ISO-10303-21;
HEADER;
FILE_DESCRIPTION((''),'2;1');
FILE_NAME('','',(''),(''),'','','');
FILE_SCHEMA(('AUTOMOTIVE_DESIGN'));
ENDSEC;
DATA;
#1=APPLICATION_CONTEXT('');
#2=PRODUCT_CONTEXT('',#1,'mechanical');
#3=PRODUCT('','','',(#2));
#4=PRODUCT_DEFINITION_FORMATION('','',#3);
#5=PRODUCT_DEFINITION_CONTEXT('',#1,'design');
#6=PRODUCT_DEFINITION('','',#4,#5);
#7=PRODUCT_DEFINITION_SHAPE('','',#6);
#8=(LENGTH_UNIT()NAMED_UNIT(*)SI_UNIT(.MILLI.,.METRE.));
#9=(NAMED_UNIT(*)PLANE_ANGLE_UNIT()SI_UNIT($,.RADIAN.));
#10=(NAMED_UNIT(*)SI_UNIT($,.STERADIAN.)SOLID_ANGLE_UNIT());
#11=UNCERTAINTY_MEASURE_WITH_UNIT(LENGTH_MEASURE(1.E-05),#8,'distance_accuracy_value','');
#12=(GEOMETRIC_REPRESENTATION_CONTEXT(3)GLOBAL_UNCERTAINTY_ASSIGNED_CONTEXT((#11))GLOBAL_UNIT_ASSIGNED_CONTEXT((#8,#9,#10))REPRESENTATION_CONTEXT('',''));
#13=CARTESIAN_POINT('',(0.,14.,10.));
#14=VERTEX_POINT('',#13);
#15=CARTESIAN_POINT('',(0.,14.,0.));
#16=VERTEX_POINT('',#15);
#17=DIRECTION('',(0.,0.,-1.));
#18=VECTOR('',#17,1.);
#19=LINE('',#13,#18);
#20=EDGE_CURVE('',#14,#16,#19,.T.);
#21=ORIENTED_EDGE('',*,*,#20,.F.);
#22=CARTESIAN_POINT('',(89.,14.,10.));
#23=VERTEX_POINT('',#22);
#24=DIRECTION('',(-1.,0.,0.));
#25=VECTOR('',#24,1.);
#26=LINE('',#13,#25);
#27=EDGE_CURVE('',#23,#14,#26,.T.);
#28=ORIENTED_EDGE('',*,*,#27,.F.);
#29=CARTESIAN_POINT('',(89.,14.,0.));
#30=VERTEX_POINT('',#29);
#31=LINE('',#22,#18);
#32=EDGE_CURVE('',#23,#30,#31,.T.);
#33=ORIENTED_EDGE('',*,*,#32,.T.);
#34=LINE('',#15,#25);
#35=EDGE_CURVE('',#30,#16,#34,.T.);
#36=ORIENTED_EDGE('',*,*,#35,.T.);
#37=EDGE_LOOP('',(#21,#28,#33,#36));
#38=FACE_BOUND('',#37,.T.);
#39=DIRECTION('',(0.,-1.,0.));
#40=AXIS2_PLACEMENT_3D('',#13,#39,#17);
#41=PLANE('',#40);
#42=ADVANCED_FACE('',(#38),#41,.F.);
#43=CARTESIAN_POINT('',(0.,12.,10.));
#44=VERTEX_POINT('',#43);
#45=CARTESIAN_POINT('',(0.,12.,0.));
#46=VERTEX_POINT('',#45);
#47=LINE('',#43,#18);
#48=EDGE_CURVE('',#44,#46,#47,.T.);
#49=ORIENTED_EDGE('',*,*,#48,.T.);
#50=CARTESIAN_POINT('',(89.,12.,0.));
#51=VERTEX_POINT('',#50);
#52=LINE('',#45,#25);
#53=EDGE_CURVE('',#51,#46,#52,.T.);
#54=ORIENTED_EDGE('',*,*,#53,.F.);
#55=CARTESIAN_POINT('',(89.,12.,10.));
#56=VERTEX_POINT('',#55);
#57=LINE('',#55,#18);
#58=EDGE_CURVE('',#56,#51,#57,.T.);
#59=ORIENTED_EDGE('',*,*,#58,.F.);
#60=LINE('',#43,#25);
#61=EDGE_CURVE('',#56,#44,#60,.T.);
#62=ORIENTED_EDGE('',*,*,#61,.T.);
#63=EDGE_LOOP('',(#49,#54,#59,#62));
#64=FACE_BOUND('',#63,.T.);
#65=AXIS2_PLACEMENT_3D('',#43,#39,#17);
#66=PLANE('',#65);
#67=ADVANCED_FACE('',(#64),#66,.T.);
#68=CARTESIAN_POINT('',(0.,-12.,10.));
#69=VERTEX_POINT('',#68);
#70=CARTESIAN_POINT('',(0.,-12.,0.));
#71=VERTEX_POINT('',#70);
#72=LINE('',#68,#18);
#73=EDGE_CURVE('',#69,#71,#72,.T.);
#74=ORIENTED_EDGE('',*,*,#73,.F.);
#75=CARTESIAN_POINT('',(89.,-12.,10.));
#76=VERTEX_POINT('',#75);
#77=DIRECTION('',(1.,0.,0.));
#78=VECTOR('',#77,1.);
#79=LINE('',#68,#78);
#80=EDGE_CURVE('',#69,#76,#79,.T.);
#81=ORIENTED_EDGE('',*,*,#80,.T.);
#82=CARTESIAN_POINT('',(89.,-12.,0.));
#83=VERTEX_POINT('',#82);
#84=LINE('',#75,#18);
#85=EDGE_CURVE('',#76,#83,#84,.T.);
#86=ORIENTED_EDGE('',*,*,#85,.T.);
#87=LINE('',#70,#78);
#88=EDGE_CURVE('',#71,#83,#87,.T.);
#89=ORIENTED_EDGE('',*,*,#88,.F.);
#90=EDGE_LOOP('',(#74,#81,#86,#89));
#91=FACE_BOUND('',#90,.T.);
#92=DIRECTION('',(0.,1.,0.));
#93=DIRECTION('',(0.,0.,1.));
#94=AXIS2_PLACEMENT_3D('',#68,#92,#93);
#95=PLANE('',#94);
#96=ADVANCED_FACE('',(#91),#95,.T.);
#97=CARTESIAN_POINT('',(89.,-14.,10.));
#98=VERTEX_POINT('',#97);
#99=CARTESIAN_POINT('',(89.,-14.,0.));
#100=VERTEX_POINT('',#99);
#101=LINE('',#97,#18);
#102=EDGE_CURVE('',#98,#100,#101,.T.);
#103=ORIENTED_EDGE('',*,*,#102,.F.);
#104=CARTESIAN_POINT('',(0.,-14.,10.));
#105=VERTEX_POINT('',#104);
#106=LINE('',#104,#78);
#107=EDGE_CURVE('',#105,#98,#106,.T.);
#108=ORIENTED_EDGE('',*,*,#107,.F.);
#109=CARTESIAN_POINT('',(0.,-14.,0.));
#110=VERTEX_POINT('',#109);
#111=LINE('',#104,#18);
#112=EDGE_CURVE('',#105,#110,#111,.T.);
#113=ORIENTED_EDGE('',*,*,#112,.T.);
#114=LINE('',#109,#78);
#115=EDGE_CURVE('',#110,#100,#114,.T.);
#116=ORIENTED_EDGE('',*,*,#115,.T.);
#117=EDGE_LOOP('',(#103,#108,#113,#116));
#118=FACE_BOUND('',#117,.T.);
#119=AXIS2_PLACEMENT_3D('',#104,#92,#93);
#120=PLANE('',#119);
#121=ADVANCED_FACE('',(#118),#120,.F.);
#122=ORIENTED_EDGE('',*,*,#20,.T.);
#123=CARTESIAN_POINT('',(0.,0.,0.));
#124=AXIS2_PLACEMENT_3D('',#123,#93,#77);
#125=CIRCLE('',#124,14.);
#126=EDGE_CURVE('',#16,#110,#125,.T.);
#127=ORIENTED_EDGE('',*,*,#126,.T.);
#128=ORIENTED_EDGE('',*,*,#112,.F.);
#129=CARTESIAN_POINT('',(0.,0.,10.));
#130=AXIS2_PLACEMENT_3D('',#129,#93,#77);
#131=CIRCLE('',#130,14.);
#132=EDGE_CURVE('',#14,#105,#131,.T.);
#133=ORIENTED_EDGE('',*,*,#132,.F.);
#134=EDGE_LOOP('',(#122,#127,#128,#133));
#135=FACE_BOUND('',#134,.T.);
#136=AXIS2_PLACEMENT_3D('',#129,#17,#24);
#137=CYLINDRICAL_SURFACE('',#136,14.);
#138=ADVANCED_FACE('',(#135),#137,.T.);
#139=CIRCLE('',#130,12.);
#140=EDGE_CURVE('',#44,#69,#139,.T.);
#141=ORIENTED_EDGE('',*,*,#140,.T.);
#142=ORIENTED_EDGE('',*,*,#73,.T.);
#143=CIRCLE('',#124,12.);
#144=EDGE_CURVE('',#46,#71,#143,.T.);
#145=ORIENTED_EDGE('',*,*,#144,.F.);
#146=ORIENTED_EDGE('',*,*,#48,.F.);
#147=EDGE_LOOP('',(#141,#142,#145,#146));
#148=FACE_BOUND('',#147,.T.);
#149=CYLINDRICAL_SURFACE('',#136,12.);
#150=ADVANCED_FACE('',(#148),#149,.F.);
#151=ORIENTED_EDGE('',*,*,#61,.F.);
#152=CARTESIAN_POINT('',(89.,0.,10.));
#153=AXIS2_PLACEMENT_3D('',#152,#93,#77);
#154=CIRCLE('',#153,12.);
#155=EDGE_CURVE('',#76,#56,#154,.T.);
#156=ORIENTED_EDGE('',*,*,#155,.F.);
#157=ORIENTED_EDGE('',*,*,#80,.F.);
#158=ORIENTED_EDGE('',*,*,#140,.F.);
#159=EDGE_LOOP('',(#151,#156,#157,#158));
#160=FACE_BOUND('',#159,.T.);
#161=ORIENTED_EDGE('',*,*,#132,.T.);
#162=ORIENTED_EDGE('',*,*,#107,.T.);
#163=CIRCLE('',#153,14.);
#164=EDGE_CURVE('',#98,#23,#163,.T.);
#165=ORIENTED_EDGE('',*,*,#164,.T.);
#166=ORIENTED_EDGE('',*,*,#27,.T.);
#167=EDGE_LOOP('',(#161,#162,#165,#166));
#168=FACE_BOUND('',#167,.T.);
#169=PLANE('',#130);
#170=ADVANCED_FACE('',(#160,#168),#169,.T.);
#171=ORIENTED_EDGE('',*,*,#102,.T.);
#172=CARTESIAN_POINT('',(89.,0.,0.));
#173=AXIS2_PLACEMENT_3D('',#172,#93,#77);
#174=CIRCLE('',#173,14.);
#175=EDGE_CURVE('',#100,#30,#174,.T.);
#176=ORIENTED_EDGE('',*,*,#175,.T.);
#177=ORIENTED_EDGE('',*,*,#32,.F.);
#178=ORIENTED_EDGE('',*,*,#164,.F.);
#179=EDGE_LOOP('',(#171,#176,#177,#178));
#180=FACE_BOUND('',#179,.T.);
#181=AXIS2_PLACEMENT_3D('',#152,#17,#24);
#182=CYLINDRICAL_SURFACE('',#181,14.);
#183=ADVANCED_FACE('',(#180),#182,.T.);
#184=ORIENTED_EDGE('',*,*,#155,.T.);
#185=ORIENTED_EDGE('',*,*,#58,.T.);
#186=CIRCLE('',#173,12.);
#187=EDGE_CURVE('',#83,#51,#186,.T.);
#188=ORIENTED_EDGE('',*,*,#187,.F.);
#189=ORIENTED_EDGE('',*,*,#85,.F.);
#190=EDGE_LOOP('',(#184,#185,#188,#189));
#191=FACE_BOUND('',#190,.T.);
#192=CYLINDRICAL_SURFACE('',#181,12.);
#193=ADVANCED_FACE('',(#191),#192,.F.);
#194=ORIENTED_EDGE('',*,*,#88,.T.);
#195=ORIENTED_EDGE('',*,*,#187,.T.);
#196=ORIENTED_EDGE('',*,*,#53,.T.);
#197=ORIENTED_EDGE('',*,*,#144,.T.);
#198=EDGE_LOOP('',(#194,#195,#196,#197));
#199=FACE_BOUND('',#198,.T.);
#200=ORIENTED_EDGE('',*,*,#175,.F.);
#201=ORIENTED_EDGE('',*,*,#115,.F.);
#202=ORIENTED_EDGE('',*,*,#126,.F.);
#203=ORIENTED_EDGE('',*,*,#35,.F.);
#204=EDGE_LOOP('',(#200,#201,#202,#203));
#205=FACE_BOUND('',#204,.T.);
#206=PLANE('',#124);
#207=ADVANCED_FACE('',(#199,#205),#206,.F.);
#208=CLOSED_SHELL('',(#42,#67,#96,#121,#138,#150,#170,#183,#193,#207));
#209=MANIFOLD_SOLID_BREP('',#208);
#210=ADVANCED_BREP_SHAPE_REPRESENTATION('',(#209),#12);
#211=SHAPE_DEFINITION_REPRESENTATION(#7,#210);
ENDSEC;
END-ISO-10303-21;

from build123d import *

# Parameters (mm, degrees)
EXTRUDE_1_DEPTH = 10


with BuildPart() as part:
    # 草图1 → 凸台-拉伸1 (new body)
    with BuildSketch(Plane.XY):
        with BuildLine():
            Line((0, 14), (89, 14))
            ThreePointArc((89, 14), (103, 0), (89, -14))
            Line((89, -14), (0, -14))
            ThreePointArc((0, -14), (-14, 0), (0, 14))
        make_face()
        with BuildLine():
            Line((0, 12), (89, 12))
            ThreePointArc((89, 12), (101, 0), (89, -12))
            Line((89, -12), (0, -12))
            ThreePointArc((0, -12), (-12, 0), (0, 12))
        make_face(mode=Mode.SUBTRACT)
    extrude(amount=EXTRUDE_1_DEPTH)


solid = part.part
